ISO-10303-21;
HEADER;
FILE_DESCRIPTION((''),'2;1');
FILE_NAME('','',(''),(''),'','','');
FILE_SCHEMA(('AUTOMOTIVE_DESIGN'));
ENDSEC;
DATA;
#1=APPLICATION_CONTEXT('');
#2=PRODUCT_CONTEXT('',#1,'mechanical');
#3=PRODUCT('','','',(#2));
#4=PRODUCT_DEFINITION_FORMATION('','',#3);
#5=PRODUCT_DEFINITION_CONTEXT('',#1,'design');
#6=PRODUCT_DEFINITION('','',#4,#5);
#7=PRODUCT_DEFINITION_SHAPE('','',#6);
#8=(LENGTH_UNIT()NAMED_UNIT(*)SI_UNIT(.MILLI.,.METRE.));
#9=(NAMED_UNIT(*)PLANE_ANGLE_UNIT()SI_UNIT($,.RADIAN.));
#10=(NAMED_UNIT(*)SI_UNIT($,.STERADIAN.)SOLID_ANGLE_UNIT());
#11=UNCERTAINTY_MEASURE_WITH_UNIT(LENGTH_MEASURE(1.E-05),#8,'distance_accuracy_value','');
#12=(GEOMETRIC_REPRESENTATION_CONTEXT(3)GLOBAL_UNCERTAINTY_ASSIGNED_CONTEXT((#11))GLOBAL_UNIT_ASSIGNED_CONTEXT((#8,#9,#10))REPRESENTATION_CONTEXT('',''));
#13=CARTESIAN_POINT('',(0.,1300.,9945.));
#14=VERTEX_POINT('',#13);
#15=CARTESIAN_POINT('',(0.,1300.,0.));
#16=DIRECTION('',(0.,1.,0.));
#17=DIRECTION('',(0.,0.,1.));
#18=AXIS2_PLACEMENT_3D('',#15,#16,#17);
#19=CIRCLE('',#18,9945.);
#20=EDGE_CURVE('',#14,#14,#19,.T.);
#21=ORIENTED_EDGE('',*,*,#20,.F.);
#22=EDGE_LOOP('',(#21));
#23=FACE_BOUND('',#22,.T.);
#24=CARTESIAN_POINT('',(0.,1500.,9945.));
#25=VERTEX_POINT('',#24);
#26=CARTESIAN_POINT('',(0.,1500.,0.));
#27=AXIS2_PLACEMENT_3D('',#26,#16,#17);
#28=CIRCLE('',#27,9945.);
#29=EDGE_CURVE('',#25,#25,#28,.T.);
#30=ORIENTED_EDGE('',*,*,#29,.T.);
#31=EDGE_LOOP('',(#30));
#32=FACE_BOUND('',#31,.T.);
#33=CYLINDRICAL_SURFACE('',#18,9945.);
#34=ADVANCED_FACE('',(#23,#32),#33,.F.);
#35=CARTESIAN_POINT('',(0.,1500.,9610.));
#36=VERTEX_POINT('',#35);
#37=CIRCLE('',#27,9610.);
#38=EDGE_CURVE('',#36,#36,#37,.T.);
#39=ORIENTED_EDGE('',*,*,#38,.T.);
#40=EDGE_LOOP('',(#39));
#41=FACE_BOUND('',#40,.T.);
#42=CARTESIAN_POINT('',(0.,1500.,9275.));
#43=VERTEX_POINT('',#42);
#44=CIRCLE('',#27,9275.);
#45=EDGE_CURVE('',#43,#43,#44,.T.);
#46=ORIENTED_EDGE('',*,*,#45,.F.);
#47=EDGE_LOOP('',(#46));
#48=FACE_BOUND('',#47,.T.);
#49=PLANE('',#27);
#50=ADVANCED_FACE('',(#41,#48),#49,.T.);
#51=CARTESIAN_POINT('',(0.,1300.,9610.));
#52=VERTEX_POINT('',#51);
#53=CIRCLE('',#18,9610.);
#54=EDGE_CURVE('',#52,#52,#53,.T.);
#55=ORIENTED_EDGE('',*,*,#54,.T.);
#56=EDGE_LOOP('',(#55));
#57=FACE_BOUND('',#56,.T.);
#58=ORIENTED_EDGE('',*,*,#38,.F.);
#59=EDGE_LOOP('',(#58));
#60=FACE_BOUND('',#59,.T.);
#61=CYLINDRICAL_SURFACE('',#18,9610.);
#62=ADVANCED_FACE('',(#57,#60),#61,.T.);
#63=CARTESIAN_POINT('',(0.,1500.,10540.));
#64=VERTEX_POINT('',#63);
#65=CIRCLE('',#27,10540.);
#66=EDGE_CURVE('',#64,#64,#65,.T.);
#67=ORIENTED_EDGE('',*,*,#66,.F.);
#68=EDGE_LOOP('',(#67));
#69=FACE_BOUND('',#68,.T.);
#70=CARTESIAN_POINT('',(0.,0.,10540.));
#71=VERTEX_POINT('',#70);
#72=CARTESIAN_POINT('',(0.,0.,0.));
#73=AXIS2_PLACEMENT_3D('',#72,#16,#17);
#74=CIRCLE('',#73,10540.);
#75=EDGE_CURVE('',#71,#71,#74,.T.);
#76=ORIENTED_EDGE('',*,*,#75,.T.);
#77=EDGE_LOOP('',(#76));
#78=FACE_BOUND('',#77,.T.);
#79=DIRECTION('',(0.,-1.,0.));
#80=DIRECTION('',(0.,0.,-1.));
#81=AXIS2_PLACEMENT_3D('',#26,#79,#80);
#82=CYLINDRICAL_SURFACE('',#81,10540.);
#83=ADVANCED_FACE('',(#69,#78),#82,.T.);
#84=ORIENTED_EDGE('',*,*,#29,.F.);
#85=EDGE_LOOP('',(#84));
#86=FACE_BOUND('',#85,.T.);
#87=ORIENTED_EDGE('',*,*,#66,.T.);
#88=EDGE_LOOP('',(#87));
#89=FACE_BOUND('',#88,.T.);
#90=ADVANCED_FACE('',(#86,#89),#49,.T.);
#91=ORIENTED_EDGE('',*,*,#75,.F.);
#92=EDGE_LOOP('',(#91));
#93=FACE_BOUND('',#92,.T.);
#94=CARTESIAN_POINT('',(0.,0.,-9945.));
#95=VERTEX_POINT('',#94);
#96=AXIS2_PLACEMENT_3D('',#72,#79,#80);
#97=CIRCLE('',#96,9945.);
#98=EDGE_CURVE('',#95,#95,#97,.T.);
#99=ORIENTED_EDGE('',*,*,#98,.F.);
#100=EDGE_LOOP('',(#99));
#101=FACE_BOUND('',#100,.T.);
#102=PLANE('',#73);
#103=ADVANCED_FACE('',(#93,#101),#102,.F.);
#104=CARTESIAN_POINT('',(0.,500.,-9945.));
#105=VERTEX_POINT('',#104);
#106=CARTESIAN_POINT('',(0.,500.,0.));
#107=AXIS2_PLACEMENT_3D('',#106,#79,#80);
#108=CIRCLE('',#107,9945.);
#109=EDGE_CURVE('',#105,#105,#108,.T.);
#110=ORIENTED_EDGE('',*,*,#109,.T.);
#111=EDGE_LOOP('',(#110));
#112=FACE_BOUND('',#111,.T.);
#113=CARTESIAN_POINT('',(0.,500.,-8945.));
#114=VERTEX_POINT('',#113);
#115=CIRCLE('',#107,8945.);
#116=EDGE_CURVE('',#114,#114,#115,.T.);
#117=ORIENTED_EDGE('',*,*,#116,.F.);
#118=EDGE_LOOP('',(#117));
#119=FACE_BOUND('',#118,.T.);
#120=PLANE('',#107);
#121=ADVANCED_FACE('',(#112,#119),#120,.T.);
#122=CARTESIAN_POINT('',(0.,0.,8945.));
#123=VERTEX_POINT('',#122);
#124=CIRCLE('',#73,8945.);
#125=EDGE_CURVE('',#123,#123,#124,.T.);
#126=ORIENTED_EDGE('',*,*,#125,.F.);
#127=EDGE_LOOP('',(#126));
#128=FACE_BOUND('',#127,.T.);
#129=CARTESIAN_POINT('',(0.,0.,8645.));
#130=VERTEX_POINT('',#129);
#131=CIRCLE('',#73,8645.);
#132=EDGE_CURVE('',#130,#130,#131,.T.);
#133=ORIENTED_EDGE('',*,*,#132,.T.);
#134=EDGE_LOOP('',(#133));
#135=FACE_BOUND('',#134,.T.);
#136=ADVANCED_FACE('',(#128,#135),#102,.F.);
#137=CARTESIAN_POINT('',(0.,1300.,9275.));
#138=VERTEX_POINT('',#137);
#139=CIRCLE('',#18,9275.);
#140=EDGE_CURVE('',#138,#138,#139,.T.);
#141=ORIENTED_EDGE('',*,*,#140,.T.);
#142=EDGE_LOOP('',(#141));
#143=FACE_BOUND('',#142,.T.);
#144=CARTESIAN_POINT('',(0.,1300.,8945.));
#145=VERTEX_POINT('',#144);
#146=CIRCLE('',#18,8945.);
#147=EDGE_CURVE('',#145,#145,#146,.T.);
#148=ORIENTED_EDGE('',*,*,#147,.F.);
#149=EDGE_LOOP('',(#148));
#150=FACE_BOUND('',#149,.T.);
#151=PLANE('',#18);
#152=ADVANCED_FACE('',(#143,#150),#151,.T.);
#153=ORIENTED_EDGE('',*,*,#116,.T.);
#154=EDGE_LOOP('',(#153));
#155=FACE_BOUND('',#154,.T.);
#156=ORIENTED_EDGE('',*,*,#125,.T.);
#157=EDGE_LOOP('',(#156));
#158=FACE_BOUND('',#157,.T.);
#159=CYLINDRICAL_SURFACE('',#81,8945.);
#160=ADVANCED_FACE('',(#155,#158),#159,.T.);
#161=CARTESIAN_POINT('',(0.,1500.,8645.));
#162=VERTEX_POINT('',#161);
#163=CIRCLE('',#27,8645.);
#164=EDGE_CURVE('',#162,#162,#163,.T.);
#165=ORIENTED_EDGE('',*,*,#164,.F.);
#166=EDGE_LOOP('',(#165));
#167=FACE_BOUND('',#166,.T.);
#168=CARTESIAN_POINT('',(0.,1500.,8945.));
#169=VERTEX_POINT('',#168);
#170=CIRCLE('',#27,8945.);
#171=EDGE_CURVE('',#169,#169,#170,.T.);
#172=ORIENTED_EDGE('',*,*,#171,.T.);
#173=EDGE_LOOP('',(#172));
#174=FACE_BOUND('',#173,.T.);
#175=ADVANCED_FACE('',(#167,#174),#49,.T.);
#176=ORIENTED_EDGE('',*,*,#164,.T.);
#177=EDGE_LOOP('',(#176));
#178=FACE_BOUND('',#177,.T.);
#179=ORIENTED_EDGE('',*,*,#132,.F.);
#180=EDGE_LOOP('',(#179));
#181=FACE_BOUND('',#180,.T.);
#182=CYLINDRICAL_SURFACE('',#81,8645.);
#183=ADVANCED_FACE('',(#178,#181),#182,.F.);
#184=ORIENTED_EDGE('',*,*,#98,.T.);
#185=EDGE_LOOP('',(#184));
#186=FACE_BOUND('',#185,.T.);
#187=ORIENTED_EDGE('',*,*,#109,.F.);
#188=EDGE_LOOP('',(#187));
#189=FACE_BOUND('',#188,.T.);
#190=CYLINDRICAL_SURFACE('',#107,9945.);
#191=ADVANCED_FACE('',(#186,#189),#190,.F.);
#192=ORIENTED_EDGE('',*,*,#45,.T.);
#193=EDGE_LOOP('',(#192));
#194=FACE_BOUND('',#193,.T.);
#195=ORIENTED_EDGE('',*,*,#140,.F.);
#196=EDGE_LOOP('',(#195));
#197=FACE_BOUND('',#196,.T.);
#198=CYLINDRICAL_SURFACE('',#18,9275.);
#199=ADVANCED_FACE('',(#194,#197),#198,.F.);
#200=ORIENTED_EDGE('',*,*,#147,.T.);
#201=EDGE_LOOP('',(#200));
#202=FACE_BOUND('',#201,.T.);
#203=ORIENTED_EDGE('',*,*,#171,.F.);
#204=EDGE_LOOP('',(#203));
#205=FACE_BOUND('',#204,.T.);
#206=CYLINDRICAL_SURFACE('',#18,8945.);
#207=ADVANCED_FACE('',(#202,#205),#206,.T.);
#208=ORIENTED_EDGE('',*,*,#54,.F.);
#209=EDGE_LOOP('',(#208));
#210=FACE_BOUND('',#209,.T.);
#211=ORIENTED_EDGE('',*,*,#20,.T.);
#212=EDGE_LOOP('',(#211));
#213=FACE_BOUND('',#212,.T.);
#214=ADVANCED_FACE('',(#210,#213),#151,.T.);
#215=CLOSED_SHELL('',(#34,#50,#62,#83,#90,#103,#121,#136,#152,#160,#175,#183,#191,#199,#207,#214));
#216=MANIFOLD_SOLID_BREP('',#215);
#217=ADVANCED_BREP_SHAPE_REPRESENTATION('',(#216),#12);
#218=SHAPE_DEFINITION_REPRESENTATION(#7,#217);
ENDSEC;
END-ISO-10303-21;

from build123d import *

# Parameters (mm, degrees)
SKETCH1_R           = 9945
SKETCH1_R_2         = 8945
BOSS_EXTRUDE1_DEPTH = 600
SKETCH2_R           = 10540
SKETCH2_R_2         = 8945
BOSS_EXTRUDE2_DEPTH = 1500
SKETCH3_R           = 9945
SKETCH3_R_2         = 8945
CUT_EXTRUDE1_DEPTH  = 500
SKETCH4_R           = 8945
SKETCH4_R_2         = 8645
BOSS_EXTRUDE3_DEPTH = 1500
CUT_EXTRUDE2_START  = -200
SKETCH5_R           = 9275
SKETCH5_R_2         = 8945
CUT_EXTRUDE2_DEPTH  = 200
CUT_EXTRUDE3_START  = -200
SKETCH6_R           = 9945
SKETCH6_R_2         = 9610
CUT_EXTRUDE3_DEPTH  = 200


with BuildPart() as part:
    # Sketch1 → Boss-Extrude1 (new body)
    with BuildSketch(Plane(origin=(0, 0, 0), x_dir=(1, 0, 0), z_dir=(0, 1, 0))):
        with Locations(Location((0, 0, 0), (0, 0, 270))):
            Circle(SKETCH1_R)
        with Locations(Location((0, 0, 0), (0, 0, 270))):
            Circle(SKETCH1_R_2, mode=Mode.SUBTRACT)
    extrude(amount=BOSS_EXTRUDE1_DEPTH)

    # Sketch2 → Boss-Extrude2 (add)
    with BuildSketch(Plane(origin=(0, 0, 0), x_dir=(1, 0, 0), z_dir=(0, 1, 0))):
        with Locations(Location((0, 0, 0), (0, 0, 270))):
            Circle(SKETCH2_R)
        with Locations(Location((0, 0, 0), (0, 0, 270))):
            Circle(SKETCH2_R_2, mode=Mode.SUBTRACT)
    extrude(amount=BOSS_EXTRUDE2_DEPTH)

    # Sketch3 → Cut-Extrude1 (cut)
    with BuildSketch(Plane.XZ):
        with Locations(Location((0, 0, 0), (0, 0, 270))):
            Circle(SKETCH3_R)
        with Locations(Location((0, 0, 0), (0, 0, 270))):
            Circle(SKETCH3_R_2, mode=Mode.SUBTRACT)
    extrude(amount=-CUT_EXTRUDE1_DEPTH, mode=Mode.SUBTRACT)

    # Sketch4 → Boss-Extrude3 (add)
    with BuildSketch(Plane(origin=(0, 0, 0), x_dir=(1, 0, 0), z_dir=(0, 1, 0))):
        with Locations(Location((0, 0, 0), (0, 0, 90))):
            Circle(SKETCH4_R)
        with Locations(Location((0, 0, 0), (0, 0, 270))):
            Circle(SKETCH4_R_2, mode=Mode.SUBTRACT)
    extrude(amount=BOSS_EXTRUDE3_DEPTH)

    # Sketch5 → Cut-Extrude2 (cut)
    with BuildSketch(Plane(origin=(0, 1500, 0), x_dir=(1, 0, 0), z_dir=(0, 1, 0)).offset(CUT_EXTRUDE2_START)):
        with Locations(Location((0, 0, 0), (0, 0, 270))):
            Circle(SKETCH5_R)
        with Locations(Location((0, 0, 0), (0, 0, 90))):
            Circle(SKETCH5_R_2, mode=Mode.SUBTRACT)
    extrude(amount=CUT_EXTRUDE2_DEPTH, mode=Mode.SUBTRACT)

    # Sketch6 → Cut-Extrude3 (cut)
    with BuildSketch(Plane(origin=(0, 1500, 0), x_dir=(1, 0, 0), z_dir=(0, 1, 0)).offset(CUT_EXTRUDE3_START)):
        with Locations(Location((0, 0, 0), (0, 0, 90))):
            Circle(SKETCH6_R)
        with Locations(Location((0, 0, 0), (0, 0, 270))):
            Circle(SKETCH6_R_2, mode=Mode.SUBTRACT)
    extrude(amount=CUT_EXTRUDE3_DEPTH, mode=Mode.SUBTRACT)


solid = part.part
